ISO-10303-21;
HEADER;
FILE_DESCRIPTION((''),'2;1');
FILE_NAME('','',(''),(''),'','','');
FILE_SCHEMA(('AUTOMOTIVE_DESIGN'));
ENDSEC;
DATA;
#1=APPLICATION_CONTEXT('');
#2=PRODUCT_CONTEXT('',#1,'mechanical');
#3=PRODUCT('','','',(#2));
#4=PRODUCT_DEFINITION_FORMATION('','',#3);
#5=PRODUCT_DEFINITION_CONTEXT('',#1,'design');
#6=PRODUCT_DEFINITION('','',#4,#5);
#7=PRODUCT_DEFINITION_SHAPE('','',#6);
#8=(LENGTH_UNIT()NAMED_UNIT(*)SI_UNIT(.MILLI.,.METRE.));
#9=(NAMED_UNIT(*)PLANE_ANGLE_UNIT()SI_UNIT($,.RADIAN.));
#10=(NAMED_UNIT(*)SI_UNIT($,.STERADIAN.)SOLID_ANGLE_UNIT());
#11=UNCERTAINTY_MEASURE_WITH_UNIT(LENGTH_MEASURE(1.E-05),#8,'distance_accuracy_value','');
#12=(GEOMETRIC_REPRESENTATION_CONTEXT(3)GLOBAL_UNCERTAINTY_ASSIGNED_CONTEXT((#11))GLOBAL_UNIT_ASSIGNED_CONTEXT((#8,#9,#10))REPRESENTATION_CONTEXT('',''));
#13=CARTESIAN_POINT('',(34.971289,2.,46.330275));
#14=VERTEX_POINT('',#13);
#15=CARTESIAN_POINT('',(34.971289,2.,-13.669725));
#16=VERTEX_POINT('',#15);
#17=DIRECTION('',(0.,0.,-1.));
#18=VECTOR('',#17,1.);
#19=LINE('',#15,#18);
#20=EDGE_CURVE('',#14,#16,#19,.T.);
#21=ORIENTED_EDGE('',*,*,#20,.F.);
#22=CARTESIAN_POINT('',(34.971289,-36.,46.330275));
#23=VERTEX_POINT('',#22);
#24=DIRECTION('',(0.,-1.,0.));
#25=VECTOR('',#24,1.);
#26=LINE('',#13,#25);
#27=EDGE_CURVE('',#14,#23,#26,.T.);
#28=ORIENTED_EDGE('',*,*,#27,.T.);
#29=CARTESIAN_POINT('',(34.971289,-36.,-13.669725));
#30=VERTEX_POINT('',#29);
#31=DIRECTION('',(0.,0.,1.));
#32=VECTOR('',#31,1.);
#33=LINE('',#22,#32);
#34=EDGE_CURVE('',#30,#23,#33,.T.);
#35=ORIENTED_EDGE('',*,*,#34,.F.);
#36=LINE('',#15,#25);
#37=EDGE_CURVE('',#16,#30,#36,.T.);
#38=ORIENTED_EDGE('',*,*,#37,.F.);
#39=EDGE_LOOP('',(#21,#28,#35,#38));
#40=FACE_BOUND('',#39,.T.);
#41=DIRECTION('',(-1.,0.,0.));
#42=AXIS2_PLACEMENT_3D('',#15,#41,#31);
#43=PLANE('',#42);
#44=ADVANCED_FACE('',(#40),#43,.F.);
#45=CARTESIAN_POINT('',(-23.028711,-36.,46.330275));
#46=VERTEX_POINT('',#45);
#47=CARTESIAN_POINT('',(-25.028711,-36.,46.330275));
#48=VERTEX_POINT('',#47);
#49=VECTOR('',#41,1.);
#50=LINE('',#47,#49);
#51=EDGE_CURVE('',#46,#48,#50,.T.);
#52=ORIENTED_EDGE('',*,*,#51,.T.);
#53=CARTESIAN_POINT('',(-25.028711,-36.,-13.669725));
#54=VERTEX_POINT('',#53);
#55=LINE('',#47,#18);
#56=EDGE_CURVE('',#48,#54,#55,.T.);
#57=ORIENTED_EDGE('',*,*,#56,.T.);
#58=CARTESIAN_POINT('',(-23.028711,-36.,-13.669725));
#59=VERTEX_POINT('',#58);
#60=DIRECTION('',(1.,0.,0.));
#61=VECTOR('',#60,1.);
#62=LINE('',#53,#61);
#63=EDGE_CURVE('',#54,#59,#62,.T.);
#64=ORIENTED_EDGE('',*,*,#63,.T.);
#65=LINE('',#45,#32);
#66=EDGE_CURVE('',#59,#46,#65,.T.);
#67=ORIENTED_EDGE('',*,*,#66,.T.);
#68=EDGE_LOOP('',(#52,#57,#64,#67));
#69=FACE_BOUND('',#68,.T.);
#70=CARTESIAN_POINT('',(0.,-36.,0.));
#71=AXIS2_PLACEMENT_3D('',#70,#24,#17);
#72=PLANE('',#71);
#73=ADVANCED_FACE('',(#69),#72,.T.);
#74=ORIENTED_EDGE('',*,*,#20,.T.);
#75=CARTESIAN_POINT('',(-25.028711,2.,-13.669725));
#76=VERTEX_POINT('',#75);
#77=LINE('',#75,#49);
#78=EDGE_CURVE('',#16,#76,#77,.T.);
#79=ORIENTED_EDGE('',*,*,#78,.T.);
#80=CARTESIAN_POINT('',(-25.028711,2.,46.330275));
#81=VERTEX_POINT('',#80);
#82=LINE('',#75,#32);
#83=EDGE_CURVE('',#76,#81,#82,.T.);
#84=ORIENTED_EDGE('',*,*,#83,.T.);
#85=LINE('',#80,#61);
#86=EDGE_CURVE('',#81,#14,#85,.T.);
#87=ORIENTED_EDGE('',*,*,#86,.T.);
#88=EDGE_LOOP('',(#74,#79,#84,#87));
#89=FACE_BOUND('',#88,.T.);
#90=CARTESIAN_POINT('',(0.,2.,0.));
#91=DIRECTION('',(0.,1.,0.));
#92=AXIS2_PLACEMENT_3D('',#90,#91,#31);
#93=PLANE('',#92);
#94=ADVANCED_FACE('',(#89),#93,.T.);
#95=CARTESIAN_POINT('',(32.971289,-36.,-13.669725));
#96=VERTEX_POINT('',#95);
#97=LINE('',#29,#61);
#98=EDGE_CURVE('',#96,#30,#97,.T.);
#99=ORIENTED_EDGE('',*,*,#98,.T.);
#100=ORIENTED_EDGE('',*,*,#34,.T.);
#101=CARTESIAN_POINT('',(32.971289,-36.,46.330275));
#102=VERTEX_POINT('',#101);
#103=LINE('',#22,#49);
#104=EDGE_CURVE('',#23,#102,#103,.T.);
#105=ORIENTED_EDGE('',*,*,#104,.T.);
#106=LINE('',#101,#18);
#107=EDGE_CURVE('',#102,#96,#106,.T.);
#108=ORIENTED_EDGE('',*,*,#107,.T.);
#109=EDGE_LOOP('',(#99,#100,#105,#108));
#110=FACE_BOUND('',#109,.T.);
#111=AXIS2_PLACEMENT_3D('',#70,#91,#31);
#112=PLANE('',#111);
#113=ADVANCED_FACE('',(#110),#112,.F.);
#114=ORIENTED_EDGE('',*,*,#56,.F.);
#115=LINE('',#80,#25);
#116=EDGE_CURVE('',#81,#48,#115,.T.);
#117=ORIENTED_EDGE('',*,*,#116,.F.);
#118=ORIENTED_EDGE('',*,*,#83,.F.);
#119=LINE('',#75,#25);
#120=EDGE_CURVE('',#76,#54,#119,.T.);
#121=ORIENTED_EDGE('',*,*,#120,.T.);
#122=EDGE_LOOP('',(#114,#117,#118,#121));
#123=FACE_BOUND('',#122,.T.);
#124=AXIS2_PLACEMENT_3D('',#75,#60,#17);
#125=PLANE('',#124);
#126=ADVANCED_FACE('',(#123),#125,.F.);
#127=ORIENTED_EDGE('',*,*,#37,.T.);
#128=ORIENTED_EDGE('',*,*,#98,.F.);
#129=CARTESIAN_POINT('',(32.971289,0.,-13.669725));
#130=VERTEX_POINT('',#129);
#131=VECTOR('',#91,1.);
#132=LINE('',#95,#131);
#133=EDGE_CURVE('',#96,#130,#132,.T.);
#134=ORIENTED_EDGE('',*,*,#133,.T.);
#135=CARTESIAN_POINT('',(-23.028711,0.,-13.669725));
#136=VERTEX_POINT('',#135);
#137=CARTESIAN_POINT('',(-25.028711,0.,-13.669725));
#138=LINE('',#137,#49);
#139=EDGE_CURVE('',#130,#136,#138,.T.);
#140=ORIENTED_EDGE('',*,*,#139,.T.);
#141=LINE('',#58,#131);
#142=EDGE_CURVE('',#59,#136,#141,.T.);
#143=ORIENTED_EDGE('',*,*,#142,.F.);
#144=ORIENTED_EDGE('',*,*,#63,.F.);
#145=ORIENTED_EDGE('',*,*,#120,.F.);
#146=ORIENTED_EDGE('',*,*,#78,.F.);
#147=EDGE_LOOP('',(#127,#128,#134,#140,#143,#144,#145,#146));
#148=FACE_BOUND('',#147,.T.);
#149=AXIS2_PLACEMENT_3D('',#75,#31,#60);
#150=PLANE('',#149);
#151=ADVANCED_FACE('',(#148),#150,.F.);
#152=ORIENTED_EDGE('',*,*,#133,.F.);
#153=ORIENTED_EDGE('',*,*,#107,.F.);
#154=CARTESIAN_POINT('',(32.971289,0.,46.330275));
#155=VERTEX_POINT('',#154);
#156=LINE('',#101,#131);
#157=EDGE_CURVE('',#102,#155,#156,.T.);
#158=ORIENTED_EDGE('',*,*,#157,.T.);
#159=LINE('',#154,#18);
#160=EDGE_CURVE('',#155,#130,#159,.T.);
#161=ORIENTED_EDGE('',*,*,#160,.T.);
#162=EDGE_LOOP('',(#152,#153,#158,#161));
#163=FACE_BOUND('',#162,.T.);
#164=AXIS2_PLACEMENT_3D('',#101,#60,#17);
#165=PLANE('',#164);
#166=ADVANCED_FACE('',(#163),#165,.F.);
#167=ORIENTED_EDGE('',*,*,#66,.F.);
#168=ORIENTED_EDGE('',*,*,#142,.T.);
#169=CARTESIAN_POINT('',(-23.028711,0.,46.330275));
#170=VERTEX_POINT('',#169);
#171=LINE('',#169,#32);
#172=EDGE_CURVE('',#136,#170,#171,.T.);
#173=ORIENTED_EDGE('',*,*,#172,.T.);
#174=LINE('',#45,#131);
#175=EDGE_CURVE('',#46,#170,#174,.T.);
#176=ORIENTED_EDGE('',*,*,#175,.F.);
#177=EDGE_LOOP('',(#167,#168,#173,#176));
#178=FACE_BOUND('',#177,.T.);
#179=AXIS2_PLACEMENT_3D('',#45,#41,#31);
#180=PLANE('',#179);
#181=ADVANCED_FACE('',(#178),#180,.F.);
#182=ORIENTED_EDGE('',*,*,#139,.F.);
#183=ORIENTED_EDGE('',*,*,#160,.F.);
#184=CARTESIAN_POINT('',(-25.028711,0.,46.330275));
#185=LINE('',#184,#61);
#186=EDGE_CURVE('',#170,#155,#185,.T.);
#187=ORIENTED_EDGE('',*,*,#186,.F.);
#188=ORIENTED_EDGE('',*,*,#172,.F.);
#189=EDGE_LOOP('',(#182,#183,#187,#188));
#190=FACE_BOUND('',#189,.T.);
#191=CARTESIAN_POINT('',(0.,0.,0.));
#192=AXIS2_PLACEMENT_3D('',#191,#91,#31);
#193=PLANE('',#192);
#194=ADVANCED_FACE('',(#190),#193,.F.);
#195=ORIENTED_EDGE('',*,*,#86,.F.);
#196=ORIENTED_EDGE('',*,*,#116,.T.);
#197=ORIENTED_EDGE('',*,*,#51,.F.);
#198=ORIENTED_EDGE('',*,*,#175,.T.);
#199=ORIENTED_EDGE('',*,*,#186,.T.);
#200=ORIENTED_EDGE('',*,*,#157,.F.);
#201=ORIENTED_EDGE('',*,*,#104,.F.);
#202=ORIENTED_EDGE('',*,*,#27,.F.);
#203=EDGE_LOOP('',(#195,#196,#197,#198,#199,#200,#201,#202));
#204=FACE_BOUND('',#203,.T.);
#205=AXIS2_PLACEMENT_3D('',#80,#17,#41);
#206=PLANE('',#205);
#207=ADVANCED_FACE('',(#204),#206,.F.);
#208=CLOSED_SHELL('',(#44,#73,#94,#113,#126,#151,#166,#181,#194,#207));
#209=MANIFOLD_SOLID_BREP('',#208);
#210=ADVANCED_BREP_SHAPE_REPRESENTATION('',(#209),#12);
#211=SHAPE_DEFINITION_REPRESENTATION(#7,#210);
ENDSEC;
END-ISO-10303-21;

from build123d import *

# Parameters (mm, degrees)
SKETCH1_W           = 60
SKETCH1_H           = 60
BOSS_EXTRUDE1_DEPTH = 2
SKETCH2_W           = 2
SKETCH2_H           = 60
BOSS_EXTRUDE2_DEPTH = 36


with BuildPart() as part:
    # Sketch1 → Boss-Extrude1 (new body)
    with BuildSketch(Plane(origin=(0, 0, 0), x_dir=(1, 0, 0), z_dir=(0, 1, 0))):
        with Locations((4.971289332, -16.330275229)):
            Rectangle(SKETCH1_W, SKETCH1_H)
    extrude(amount=BOSS_EXTRUDE1_DEPTH)

    # Sketch2 → Boss-Extrude2 (add)
    with BuildSketch(Plane.XZ):
        with Locations((33.971289332, 16.330275229)):
            Rectangle(SKETCH2_W, SKETCH2_H)
        with Locations((-24.028710668, 16.330275229)):
            Rectangle(SKETCH2_W, SKETCH2_H)
    extrude(amount=BOSS_EXTRUDE2_DEPTH)


solid = part.part
